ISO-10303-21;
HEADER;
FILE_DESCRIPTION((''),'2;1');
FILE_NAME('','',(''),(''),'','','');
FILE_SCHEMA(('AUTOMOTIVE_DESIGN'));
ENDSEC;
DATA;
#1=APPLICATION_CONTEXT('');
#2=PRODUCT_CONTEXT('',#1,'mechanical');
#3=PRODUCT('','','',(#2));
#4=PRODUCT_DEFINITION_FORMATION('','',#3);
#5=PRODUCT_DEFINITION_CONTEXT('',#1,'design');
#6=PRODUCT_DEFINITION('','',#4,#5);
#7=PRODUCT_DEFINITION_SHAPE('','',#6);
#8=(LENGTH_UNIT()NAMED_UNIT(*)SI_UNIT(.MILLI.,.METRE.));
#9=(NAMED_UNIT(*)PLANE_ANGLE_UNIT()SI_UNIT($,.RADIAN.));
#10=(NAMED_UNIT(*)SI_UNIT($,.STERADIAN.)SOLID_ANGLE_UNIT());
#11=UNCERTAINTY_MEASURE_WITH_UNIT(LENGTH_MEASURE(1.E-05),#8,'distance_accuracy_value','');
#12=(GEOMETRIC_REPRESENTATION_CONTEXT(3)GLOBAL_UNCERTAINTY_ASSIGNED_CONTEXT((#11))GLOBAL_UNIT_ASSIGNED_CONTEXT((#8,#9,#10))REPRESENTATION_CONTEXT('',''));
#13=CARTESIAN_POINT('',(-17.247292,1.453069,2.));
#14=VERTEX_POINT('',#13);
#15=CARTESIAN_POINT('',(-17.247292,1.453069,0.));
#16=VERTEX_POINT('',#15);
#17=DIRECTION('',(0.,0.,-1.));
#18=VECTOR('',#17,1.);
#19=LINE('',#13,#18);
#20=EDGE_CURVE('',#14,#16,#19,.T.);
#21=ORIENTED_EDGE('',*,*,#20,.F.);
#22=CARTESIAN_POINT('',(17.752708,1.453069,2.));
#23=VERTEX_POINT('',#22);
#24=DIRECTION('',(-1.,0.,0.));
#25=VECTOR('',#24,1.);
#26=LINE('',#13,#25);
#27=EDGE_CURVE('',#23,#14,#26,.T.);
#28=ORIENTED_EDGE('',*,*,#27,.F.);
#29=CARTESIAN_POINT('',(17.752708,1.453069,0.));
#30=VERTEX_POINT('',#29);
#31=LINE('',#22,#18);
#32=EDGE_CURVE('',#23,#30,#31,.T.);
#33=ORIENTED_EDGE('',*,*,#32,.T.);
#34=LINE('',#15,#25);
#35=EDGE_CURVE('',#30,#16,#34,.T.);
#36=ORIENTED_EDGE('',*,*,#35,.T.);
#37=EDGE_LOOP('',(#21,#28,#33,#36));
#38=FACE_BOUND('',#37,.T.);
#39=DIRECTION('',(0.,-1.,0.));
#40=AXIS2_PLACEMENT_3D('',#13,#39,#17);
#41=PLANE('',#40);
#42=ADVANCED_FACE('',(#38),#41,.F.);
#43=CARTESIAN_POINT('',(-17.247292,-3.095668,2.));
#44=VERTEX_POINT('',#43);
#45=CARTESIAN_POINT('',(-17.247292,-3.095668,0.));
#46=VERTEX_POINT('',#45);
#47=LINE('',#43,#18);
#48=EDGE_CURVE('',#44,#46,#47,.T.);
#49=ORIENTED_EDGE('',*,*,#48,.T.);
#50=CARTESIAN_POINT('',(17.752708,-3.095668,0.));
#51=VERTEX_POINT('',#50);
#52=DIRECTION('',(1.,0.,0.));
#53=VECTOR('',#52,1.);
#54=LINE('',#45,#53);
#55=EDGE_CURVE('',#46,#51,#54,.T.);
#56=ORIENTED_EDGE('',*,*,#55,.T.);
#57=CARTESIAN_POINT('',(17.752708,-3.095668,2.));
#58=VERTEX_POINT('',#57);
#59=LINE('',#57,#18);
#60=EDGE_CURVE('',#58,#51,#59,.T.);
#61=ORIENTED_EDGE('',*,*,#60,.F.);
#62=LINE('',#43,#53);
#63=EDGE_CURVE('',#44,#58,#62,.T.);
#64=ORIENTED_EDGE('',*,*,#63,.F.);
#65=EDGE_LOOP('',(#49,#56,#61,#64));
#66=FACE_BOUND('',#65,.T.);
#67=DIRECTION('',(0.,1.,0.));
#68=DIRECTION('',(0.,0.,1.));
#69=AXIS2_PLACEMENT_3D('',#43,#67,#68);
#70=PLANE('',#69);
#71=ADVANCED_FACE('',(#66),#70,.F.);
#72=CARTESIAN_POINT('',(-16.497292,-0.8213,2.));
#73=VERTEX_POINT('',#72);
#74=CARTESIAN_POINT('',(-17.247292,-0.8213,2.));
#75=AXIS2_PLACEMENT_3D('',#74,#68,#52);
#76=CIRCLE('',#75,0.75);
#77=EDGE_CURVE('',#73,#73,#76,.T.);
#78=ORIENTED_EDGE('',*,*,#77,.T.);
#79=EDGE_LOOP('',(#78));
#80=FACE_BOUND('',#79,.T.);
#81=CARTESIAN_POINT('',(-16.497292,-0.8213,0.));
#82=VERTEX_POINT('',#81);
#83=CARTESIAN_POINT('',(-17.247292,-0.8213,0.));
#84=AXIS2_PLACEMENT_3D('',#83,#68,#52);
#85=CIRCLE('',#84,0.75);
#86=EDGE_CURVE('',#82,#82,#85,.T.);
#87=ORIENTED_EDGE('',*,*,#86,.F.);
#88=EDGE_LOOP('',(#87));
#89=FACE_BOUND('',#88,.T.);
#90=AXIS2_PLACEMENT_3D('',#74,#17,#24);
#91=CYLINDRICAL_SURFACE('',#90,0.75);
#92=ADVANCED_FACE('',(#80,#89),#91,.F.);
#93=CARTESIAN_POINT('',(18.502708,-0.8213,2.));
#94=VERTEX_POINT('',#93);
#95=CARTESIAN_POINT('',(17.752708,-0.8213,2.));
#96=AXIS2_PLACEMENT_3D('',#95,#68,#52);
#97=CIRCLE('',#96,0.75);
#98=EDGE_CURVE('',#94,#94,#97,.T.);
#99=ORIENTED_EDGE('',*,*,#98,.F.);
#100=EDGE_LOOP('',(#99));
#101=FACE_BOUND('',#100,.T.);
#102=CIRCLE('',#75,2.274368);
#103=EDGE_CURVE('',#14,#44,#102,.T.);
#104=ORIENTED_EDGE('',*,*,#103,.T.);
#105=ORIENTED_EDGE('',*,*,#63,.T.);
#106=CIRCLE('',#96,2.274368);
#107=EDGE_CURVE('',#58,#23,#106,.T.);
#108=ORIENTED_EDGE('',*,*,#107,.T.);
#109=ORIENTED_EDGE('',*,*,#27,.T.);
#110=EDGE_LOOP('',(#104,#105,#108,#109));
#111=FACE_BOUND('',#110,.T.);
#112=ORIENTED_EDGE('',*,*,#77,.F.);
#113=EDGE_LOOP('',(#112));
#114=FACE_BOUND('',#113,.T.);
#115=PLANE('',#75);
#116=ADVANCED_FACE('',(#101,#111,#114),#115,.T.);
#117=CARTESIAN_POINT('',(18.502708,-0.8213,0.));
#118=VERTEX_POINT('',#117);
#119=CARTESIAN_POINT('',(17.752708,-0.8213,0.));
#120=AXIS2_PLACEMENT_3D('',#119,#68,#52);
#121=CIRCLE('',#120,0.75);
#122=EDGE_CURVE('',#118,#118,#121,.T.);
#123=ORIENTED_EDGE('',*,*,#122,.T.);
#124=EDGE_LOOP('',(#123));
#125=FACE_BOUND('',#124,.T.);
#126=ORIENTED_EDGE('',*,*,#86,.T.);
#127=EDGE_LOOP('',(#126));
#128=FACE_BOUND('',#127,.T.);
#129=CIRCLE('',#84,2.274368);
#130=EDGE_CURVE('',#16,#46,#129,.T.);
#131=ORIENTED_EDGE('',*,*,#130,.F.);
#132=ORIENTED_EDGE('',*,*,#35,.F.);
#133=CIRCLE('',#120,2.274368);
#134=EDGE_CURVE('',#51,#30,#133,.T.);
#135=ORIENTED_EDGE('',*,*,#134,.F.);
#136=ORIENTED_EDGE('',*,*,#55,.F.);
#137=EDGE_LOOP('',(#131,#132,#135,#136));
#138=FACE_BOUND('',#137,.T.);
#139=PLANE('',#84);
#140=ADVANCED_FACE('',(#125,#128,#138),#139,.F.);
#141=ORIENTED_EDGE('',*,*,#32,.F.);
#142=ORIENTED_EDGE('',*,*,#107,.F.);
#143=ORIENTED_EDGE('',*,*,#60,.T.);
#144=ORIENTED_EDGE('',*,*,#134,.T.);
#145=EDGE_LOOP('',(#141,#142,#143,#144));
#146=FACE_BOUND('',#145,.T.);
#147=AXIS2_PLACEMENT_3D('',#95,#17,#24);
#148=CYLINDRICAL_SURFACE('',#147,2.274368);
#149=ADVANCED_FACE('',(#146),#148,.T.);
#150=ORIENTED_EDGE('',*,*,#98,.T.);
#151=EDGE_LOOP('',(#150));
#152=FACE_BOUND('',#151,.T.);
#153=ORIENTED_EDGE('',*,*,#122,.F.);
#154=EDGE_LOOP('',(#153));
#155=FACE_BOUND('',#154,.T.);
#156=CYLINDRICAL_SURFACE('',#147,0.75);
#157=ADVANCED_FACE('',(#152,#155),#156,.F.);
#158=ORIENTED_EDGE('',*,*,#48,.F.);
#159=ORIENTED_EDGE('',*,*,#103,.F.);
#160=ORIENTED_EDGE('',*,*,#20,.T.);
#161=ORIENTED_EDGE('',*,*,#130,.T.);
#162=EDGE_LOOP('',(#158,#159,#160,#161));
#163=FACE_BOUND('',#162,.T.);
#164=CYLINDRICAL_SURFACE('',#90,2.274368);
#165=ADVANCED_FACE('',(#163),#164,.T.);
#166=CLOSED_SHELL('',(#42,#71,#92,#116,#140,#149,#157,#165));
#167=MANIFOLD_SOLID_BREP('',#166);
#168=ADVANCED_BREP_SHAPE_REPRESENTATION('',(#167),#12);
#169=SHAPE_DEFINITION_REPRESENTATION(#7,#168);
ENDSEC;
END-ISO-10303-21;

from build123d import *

# Parameters (mm, degrees)
SKETCH1_R           = 0.75
BOSS_EXTRUDE1_DEPTH = 2


with BuildPart() as part:
    # Sketch1 → Boss-Extrude1 (new body)
    with BuildSketch(Plane.XY):
        with BuildLine():
            Line((-17.247292419, 1.453068592), (17.752707581, 1.453068592))
            ThreePointArc((17.752707581, 1.453068592), (20.027075812, -0.821299639), (17.752707581, -3.09566787))
            Line((17.752707581, -3.09566787), (-17.247292419, -3.09566787))
            ThreePointArc((-17.247292419, -3.09566787), (-19.52166065, -0.821299639), (-17.247292419, 1.453068592))
        make_face()
        with Locations((-17.247292419, -0.821299639)):
            Circle(SKETCH1_R, mode=Mode.SUBTRACT)
        with Locations((17.752707581, -0.821299639)):
            Circle(SKETCH1_R, mode=Mode.SUBTRACT)
    extrude(amount=BOSS_EXTRUDE1_DEPTH)


solid = part.part
